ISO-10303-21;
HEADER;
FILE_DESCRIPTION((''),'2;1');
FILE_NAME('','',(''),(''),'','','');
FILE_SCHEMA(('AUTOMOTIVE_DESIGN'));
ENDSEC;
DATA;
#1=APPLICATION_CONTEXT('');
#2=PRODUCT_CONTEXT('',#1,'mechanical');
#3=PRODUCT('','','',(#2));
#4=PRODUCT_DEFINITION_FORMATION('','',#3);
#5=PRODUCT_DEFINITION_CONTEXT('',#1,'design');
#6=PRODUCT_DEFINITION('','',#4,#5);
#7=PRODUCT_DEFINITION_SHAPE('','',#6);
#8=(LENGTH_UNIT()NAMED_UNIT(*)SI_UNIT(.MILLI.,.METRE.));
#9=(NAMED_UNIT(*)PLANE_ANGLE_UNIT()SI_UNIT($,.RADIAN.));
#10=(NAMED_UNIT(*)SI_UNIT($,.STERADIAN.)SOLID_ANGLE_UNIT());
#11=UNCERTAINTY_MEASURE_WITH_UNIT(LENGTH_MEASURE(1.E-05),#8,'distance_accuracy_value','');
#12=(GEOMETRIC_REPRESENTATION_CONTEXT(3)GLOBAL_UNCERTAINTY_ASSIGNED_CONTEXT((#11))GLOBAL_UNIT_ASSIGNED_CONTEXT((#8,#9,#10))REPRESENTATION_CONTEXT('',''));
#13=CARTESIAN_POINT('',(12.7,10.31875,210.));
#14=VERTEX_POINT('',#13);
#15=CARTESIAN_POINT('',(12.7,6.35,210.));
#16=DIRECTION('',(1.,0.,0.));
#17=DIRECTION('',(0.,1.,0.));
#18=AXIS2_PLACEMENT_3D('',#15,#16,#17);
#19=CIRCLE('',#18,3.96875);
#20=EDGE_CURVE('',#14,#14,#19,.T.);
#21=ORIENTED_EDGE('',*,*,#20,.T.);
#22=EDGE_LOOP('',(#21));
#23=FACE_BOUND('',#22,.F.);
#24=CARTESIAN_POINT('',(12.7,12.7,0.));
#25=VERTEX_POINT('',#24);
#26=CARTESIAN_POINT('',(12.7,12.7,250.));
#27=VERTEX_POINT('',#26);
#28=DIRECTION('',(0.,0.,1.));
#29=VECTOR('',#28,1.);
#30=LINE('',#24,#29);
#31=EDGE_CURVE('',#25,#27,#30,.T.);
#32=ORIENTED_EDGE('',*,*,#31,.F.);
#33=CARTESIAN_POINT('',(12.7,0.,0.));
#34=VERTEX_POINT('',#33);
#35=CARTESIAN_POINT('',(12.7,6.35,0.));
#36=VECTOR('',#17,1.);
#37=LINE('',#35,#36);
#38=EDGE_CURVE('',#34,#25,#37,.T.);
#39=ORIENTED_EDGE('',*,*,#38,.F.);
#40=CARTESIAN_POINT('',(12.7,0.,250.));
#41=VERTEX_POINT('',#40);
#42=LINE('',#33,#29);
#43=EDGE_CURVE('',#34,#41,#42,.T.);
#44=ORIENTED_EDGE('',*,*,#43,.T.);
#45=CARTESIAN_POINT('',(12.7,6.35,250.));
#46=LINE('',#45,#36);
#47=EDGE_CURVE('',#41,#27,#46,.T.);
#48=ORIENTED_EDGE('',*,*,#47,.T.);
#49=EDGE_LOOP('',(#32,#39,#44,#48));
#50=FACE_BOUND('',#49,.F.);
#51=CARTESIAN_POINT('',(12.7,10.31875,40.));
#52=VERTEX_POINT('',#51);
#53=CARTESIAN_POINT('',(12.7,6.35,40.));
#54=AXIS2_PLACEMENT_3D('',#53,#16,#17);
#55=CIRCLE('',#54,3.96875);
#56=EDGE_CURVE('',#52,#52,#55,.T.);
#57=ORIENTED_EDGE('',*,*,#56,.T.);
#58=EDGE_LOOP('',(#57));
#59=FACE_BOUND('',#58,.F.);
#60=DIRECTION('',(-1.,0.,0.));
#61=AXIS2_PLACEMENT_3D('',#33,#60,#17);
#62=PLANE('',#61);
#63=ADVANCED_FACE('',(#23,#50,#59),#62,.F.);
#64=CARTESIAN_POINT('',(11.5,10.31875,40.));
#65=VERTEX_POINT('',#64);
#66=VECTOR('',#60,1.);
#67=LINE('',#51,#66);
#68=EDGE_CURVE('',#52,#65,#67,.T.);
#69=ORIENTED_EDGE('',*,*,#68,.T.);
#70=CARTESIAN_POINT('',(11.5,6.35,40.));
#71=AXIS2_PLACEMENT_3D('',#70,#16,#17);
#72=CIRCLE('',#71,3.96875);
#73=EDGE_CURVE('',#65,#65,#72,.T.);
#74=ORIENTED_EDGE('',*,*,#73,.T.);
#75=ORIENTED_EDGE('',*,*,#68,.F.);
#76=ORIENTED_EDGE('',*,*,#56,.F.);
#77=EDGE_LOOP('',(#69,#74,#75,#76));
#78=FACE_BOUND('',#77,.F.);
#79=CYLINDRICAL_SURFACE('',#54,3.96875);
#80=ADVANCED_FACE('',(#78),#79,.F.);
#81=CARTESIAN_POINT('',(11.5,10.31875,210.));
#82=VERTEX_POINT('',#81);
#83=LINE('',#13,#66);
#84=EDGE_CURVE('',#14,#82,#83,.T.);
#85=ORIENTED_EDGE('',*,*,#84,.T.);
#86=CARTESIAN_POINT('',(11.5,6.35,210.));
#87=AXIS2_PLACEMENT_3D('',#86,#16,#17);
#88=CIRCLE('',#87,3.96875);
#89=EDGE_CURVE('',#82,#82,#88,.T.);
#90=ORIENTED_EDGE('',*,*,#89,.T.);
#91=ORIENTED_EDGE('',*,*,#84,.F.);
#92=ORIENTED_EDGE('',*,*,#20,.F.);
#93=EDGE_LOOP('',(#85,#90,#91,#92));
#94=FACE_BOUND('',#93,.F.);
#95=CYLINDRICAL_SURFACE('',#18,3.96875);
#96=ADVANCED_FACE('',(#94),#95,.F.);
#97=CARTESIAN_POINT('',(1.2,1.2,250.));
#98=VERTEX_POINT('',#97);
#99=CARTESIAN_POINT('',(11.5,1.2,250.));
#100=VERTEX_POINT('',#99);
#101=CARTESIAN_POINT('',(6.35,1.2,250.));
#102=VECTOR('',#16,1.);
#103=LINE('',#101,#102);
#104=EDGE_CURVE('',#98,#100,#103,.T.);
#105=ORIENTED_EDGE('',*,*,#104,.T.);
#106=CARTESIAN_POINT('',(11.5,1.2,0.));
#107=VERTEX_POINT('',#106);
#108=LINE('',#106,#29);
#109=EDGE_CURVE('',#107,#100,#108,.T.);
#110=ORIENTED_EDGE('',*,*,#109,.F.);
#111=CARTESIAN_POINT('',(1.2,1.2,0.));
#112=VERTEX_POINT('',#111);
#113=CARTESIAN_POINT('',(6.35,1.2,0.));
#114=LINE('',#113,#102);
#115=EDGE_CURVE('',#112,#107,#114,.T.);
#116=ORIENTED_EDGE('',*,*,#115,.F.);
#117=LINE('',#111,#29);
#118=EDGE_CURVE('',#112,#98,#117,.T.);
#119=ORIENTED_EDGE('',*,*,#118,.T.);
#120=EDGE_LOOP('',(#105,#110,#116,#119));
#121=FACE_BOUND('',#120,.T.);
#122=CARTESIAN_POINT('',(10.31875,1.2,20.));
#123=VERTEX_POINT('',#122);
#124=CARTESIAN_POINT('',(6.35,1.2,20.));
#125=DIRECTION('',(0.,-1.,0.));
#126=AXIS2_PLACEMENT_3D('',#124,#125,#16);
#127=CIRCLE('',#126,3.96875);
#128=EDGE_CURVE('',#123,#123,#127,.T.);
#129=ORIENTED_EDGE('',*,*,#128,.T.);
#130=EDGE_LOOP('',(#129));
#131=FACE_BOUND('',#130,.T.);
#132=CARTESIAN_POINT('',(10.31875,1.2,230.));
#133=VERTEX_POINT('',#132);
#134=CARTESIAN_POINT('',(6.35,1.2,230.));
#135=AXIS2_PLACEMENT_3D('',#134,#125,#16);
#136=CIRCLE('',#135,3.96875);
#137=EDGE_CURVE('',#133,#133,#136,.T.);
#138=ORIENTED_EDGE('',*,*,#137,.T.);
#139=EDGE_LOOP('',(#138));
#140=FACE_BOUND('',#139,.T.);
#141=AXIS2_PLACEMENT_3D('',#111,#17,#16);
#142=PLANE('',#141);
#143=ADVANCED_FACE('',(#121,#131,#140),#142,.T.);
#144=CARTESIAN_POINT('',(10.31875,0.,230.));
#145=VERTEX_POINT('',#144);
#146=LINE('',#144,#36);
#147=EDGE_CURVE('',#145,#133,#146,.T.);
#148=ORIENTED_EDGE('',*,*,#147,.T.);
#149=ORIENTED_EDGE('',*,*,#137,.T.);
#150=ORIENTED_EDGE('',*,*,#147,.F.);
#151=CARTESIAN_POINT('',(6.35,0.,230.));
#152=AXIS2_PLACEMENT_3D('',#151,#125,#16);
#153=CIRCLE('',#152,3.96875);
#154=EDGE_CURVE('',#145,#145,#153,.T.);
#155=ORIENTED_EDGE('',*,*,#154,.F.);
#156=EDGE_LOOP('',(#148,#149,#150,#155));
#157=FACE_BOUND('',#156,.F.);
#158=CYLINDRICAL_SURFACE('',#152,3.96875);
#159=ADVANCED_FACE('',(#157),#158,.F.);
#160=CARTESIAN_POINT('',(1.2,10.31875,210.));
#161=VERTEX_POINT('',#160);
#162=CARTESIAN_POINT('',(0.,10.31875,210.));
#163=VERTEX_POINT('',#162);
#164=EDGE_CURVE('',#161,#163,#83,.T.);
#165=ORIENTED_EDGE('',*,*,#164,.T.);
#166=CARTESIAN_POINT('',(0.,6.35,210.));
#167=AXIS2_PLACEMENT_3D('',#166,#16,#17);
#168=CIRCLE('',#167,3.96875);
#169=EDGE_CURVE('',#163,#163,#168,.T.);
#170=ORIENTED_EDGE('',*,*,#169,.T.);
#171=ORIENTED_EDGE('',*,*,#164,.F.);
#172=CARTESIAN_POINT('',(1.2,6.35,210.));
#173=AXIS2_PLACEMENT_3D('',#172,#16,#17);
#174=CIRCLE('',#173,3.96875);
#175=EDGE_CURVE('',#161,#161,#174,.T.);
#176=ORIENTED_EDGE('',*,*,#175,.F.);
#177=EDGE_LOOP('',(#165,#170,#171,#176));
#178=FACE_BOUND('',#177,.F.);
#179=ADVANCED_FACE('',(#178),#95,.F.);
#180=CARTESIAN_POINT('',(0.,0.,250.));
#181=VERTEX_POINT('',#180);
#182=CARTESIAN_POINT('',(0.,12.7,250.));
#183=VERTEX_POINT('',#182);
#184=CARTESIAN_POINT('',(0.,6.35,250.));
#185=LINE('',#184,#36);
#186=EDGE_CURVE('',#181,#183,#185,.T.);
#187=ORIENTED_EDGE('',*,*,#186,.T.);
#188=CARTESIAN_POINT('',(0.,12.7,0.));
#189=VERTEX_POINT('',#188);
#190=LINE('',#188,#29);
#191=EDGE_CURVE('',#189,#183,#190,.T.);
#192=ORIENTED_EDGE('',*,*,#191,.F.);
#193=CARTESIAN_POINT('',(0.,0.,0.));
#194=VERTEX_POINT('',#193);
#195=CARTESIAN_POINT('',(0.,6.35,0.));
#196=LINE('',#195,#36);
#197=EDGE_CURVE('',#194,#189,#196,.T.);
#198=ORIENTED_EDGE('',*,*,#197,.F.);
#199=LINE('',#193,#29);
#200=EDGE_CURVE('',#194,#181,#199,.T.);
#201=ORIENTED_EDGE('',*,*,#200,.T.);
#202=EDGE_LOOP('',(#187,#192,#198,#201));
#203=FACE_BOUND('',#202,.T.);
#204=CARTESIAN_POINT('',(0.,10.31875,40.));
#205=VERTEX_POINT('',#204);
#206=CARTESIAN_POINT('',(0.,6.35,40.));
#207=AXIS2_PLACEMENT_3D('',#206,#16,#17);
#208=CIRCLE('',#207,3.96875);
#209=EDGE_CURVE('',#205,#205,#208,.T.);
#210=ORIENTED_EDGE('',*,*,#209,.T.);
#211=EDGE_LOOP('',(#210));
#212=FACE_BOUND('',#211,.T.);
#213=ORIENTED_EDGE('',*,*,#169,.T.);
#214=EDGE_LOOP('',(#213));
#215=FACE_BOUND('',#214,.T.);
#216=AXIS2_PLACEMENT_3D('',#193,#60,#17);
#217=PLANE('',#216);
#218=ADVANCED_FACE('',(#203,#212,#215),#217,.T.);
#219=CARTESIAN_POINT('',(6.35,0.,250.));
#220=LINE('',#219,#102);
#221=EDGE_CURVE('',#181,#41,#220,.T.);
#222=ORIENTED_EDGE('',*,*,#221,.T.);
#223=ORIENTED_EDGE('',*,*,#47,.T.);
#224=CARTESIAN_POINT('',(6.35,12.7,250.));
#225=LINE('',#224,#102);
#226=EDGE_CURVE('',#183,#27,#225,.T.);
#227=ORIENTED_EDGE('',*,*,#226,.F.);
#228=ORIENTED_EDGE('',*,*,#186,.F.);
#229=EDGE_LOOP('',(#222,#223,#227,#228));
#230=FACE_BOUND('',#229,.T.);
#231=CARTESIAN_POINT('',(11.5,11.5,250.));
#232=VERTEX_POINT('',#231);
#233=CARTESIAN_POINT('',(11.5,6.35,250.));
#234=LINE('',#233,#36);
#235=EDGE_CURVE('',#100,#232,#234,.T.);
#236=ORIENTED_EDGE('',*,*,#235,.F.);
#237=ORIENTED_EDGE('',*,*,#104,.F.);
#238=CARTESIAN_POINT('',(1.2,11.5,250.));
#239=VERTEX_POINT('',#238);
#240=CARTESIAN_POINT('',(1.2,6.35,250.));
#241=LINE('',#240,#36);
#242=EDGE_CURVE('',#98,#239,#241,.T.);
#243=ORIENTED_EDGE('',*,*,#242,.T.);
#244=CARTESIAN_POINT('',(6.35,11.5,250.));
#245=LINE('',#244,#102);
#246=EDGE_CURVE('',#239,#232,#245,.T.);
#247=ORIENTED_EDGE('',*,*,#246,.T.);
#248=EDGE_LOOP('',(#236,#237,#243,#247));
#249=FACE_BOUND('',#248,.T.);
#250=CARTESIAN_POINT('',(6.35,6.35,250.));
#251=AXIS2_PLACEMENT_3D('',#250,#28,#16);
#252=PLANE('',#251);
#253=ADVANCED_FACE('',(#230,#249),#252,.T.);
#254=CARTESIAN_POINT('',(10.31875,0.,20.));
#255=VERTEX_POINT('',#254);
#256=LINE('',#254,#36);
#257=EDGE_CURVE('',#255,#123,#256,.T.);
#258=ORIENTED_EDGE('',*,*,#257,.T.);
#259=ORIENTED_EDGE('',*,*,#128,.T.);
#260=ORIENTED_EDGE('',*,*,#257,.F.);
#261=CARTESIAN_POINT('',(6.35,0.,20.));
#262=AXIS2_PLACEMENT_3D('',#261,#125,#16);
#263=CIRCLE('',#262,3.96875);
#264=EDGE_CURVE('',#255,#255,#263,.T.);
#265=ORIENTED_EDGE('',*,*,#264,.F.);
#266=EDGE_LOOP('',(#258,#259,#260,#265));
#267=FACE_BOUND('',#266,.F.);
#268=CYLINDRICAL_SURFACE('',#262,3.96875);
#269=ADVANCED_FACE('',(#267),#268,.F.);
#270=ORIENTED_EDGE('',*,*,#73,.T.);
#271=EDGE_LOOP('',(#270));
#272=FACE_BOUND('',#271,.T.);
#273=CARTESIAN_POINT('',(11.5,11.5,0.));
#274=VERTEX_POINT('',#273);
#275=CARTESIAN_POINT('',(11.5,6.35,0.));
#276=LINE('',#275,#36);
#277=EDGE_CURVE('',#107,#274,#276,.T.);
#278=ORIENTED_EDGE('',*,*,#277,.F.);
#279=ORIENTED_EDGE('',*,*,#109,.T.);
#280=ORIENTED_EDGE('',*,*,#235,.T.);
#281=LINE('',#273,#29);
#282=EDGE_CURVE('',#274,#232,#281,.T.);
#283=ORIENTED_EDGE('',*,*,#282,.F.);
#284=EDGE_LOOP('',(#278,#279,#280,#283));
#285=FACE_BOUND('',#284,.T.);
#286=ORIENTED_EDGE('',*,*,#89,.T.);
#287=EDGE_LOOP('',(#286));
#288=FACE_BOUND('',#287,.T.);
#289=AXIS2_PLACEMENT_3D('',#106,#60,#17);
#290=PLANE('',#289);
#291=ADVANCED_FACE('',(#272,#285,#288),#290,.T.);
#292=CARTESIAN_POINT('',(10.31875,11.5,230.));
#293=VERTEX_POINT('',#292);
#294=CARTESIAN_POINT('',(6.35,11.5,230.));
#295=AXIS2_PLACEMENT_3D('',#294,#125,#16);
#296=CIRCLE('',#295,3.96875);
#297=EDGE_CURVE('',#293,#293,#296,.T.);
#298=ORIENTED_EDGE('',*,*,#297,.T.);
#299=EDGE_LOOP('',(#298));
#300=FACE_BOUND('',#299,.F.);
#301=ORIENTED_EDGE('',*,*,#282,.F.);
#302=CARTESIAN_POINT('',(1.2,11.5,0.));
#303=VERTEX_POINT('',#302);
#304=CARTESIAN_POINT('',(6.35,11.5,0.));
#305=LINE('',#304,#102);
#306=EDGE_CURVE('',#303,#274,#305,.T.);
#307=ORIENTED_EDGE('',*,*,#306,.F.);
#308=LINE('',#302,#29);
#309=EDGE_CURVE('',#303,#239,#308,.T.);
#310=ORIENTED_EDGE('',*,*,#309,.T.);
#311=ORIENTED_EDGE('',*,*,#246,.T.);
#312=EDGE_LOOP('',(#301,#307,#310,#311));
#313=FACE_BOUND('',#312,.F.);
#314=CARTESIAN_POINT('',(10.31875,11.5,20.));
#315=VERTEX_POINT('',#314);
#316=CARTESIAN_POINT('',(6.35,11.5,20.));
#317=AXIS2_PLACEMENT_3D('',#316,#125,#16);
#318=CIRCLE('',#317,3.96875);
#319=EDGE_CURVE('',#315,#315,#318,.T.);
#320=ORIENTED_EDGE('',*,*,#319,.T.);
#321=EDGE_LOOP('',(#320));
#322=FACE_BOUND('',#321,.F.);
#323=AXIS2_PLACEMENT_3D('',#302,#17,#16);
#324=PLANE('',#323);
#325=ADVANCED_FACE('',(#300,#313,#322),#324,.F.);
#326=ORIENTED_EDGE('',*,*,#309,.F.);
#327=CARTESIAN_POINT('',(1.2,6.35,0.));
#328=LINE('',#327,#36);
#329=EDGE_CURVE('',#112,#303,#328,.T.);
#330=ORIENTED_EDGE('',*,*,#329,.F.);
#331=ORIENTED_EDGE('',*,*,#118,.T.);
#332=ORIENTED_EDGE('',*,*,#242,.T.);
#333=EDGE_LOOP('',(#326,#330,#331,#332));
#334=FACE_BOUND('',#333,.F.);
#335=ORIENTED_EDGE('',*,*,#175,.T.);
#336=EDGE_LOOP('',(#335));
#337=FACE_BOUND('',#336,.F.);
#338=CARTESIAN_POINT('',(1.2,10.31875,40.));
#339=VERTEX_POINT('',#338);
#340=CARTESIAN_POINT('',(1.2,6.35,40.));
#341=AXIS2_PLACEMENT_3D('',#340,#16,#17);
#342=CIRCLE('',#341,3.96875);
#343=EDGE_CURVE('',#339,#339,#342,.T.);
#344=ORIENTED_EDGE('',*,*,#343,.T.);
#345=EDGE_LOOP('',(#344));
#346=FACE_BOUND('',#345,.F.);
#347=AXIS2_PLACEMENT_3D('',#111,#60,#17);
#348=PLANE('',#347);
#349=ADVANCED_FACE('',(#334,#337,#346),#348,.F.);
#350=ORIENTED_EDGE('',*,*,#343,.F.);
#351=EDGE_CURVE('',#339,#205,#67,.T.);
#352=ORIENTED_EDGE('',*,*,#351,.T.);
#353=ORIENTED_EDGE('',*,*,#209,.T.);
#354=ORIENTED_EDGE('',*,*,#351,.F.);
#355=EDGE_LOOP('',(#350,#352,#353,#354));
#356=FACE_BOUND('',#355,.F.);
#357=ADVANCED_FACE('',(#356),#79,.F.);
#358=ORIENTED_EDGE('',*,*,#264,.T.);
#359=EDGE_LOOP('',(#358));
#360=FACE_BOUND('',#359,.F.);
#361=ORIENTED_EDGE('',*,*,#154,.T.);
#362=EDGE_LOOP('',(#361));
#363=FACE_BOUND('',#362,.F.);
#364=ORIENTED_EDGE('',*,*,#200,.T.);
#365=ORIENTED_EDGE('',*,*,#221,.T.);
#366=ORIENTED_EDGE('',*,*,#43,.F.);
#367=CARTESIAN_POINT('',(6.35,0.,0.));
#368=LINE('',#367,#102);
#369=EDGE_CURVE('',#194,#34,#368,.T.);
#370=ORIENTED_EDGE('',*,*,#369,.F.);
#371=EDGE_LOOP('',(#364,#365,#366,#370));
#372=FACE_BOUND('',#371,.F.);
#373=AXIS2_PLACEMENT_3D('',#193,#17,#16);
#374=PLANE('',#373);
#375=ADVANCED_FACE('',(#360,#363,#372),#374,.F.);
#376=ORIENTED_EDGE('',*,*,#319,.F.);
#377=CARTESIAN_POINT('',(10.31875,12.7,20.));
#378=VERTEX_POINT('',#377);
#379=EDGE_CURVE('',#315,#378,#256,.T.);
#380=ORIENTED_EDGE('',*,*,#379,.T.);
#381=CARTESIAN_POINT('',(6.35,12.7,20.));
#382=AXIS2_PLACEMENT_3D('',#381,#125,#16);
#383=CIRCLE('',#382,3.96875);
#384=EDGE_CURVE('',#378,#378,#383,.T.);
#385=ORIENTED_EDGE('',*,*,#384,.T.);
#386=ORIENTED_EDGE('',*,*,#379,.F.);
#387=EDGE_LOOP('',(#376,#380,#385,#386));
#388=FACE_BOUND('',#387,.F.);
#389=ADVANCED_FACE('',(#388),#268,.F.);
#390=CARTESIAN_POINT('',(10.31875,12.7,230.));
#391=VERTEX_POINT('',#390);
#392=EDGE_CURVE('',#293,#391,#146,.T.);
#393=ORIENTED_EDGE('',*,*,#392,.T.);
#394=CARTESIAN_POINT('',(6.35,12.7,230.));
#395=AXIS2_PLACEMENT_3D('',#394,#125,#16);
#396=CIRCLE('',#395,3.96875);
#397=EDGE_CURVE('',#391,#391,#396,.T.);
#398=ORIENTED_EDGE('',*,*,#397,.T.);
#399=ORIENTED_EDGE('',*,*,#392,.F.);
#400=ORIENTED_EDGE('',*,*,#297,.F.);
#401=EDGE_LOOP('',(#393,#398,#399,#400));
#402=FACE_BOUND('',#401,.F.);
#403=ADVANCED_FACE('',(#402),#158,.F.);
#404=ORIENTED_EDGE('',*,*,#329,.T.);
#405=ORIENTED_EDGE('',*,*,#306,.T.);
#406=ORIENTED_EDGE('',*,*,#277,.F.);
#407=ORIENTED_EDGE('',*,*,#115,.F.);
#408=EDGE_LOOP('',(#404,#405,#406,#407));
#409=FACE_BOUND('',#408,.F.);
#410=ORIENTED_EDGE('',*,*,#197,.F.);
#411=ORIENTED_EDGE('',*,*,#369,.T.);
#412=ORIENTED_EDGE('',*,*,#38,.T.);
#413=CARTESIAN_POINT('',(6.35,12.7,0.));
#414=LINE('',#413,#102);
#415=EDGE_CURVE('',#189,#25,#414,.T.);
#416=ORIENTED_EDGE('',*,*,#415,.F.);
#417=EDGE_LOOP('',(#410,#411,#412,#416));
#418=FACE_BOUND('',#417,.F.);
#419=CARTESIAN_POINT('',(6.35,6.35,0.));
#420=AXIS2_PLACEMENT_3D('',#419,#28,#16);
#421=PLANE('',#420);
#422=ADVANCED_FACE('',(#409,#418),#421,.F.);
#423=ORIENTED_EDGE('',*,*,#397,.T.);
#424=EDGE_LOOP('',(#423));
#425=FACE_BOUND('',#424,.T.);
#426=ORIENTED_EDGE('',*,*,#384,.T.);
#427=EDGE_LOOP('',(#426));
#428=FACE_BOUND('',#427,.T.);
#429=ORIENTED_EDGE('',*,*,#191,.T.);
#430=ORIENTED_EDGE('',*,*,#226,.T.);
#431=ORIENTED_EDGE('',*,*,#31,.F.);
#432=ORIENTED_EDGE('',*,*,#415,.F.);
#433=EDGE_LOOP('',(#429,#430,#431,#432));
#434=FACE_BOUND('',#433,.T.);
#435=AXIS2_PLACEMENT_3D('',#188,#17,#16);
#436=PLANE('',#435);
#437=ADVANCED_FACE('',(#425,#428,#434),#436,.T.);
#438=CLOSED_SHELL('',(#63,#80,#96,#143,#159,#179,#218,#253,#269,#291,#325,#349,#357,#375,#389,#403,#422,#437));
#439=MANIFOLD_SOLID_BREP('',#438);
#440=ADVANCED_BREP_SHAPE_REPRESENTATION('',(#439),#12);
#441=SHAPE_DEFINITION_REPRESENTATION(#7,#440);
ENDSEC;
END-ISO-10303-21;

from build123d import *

# Parameters (mm, degrees)
SKETCH_R         = 3.96875
EXTRUDE001_DEPTH = 12.7
SKETCH001_R      = 3.96875
EXTRUDE_DEPTH    = 12.7
BOX001_W         = 10.3
BOX001_H         = 10.3
BOX001_DEPTH     = 250
BOX_W            = 12.7
BOX_H            = 12.7
BOX_DEPTH        = 250


with BuildPart() as extrude001:
    # Sketch (on Face6 of Cut001) → Extrude001 (new body)
    with BuildSketch(Plane.YZ.offset(12.7)):
        with Locations((6.35, 210)):
            Circle(SKETCH_R)
        with Locations((6.35, 40)):
            Circle(SKETCH_R)
    extrude(amount=-EXTRUDE001_DEPTH)


with BuildPart() as extrude_body:
    # Sketch001 (on Face3 of Box) → Extrude (new body)
    with BuildSketch(Plane.XZ):
        with Locations((6.35, 20)):
            Circle(SKETCH001_R)
        with Locations((6.35, 230)):
            Circle(SKETCH001_R)
    extrude(amount=-EXTRUDE_DEPTH)


with BuildPart() as interno:
    # Box001 → Box001 (new body)
    with BuildSketch(Plane(origin=(1.2, 1.2, 0), x_dir=(1, 0, 0), z_dir=(0, 0, 1))):
        with Locations((5.15, 5.15)):
            Rectangle(BOX001_W, BOX001_H)
    extrude(amount=BOX001_DEPTH)


with BuildPart() as cut002:
    # Box → Box (new body)
    with BuildSketch(Plane.XY):
        with Locations((6.35, 6.35)):
            Rectangle(BOX_W, BOX_H)
    extrude(amount=BOX_DEPTH)

    # Cut: cut interno
    add(interno.part, mode=Mode.SUBTRACT)

    # Cut001: cut Extrude body
    add(extrude_body.part, mode=Mode.SUBTRACT)

    # Cut002: cut Extrude001
    add(extrude001.part, mode=Mode.SUBTRACT)


solid = cut002.part
